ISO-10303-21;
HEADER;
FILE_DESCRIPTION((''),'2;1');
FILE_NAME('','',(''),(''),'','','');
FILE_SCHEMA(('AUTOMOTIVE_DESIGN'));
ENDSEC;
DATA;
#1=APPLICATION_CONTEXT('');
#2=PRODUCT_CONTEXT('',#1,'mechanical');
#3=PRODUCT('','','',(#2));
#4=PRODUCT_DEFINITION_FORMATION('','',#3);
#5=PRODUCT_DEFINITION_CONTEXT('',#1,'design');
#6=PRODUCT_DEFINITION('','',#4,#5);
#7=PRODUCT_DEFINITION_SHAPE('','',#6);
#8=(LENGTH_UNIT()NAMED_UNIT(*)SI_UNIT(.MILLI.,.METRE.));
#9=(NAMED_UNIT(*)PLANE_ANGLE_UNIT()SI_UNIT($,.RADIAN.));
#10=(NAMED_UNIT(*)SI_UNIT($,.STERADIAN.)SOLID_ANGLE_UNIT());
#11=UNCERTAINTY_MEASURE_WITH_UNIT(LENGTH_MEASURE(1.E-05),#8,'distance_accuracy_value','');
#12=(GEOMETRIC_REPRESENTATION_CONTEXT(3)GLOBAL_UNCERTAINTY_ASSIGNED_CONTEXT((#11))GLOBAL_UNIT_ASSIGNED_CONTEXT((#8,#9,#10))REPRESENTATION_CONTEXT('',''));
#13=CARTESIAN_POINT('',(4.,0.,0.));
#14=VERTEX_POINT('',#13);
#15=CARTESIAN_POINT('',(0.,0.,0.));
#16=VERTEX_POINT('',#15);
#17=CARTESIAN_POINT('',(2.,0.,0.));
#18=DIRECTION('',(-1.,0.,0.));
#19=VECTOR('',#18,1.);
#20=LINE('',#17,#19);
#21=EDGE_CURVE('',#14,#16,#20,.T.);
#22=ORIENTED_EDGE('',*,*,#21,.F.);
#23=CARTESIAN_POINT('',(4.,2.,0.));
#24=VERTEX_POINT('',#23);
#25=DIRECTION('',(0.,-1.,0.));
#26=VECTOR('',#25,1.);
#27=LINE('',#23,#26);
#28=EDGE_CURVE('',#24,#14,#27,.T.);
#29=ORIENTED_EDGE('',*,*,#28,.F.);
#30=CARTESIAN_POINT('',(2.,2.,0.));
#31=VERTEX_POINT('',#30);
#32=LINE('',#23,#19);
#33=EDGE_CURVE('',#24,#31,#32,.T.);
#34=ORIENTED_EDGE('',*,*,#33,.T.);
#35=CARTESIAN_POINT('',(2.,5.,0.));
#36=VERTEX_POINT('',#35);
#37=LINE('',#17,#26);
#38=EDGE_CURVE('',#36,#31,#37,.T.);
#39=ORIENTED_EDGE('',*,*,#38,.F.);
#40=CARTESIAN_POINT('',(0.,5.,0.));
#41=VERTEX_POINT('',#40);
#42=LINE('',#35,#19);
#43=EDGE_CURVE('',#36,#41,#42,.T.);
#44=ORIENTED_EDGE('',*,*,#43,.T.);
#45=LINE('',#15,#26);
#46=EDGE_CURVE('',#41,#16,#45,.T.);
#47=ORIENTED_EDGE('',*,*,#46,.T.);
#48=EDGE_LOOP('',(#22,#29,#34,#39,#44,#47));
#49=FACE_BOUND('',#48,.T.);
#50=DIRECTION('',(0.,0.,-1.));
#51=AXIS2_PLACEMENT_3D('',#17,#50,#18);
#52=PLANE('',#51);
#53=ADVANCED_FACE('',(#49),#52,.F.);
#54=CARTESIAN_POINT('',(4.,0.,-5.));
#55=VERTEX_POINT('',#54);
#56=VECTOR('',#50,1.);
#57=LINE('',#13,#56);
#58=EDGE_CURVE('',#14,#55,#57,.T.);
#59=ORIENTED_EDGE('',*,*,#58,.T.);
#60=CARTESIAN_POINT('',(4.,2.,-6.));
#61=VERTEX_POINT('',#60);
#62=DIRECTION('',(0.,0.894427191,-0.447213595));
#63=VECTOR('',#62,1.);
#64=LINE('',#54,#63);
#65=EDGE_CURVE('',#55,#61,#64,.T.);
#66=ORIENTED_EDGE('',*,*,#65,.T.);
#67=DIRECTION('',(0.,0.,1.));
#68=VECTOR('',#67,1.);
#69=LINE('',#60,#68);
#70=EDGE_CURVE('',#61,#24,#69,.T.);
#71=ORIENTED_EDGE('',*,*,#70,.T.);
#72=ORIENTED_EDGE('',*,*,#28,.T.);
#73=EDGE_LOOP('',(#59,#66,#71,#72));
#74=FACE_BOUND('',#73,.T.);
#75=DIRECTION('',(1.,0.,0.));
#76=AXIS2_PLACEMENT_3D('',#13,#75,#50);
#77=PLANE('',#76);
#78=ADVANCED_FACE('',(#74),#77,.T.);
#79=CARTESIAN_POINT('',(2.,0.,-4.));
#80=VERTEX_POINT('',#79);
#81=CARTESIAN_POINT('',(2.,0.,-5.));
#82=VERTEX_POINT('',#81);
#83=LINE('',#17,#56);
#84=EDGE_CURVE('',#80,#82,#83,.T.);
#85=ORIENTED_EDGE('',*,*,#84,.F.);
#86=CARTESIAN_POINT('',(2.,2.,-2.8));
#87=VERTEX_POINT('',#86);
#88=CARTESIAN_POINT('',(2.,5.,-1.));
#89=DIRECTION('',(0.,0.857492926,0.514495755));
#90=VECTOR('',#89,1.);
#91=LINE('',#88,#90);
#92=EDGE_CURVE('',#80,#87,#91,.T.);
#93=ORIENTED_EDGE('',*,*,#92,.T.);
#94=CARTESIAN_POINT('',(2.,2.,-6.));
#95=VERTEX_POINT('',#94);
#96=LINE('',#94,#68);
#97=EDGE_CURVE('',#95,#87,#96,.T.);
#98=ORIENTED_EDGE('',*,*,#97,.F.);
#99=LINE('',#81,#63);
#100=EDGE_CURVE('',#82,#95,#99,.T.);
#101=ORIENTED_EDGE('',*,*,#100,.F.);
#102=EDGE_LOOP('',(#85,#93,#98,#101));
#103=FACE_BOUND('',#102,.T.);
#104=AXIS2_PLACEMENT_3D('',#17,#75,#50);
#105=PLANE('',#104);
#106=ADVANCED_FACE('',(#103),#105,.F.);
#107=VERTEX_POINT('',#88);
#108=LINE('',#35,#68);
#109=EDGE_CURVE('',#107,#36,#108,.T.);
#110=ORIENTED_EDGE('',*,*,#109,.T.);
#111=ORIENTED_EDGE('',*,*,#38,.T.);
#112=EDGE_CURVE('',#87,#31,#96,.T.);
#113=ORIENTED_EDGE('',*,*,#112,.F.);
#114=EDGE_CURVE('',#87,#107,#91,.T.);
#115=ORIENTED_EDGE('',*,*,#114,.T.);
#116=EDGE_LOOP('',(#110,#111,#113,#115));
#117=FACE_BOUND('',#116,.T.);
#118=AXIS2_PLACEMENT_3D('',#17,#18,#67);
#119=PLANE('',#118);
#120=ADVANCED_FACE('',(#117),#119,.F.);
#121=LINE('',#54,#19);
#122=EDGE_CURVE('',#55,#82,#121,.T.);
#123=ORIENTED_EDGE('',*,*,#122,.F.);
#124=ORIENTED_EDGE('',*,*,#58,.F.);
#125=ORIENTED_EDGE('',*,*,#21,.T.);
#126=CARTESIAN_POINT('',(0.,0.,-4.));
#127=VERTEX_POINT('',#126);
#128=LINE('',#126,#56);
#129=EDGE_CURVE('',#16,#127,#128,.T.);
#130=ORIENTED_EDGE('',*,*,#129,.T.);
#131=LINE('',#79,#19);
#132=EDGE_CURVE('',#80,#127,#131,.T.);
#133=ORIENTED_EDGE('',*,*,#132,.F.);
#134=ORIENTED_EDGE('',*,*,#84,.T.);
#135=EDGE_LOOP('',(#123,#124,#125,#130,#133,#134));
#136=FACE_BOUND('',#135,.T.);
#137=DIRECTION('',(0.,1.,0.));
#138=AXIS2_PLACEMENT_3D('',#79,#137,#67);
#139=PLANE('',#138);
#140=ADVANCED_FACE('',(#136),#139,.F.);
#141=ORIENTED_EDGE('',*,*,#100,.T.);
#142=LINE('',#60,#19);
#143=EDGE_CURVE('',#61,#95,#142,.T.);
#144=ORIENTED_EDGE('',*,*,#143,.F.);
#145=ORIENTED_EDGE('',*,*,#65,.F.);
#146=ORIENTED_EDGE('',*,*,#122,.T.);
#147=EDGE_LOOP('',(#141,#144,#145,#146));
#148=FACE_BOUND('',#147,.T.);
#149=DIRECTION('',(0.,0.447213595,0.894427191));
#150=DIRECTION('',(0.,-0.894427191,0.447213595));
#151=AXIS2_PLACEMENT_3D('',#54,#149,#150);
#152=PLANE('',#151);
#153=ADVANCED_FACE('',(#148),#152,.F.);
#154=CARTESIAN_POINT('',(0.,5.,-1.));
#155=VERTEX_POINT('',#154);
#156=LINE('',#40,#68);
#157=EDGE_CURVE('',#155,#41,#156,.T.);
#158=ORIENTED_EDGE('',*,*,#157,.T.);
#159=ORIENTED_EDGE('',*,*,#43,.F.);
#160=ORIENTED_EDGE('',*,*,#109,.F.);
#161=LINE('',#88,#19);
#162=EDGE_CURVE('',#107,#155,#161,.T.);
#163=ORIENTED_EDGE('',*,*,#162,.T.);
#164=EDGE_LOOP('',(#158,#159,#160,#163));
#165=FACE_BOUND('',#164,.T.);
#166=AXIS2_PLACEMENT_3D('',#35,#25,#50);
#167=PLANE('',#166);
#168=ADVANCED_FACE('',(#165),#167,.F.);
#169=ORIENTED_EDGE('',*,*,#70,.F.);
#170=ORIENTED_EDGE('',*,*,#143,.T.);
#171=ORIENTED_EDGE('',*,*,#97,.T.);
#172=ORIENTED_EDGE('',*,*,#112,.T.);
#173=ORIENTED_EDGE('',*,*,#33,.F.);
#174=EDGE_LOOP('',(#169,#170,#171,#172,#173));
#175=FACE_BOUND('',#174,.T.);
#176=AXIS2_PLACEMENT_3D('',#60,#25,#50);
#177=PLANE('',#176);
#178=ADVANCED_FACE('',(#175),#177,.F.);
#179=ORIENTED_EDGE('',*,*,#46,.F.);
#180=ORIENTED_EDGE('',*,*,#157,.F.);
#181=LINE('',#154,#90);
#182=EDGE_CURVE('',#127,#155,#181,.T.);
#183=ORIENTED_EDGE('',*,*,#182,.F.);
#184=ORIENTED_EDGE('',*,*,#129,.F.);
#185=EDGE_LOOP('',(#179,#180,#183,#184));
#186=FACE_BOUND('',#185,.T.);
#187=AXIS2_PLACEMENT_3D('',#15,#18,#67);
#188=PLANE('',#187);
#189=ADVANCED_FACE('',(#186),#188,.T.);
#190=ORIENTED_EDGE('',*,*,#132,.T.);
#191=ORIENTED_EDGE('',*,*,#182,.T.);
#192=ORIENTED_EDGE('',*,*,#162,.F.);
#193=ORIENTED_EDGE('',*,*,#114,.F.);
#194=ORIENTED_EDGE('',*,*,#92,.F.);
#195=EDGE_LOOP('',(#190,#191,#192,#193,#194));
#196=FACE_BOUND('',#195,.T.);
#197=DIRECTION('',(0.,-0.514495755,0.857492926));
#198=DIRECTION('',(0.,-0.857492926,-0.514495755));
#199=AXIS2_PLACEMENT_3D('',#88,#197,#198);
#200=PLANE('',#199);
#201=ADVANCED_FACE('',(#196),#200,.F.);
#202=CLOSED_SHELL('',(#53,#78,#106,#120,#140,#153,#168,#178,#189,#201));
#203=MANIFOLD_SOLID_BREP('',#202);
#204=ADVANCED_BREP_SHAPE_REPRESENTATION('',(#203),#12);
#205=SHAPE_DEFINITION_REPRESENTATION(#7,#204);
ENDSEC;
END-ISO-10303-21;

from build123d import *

# Parameters (mm, degrees)
BOSS_EXTRUDE1_DEPTH = 2
BOSS_EXTRUDE2_DEPTH = 2


with BuildPart() as part:
    # Sketch1 → Boss-Extrude1 (new body)
    with BuildSketch(Plane(origin=(0, 0, 0), x_dir=(0, 0, -1), z_dir=(1, 0, 0))):
        Polygon((0, 0), (0, 5), (1, 5), (4, 0), align=None)
    extrude(amount=BOSS_EXTRUDE1_DEPTH)

    # Sketch2 → Boss-Extrude2 (add)
    with BuildSketch(Plane(origin=(2, 0, 0), x_dir=(0, 0, -1), z_dir=(1, 0, 0))):
        Polygon((0, 0), (5, 0), (6, 2), (0, 2), align=None)
    extrude(amount=BOSS_EXTRUDE2_DEPTH)


solid = part.part
